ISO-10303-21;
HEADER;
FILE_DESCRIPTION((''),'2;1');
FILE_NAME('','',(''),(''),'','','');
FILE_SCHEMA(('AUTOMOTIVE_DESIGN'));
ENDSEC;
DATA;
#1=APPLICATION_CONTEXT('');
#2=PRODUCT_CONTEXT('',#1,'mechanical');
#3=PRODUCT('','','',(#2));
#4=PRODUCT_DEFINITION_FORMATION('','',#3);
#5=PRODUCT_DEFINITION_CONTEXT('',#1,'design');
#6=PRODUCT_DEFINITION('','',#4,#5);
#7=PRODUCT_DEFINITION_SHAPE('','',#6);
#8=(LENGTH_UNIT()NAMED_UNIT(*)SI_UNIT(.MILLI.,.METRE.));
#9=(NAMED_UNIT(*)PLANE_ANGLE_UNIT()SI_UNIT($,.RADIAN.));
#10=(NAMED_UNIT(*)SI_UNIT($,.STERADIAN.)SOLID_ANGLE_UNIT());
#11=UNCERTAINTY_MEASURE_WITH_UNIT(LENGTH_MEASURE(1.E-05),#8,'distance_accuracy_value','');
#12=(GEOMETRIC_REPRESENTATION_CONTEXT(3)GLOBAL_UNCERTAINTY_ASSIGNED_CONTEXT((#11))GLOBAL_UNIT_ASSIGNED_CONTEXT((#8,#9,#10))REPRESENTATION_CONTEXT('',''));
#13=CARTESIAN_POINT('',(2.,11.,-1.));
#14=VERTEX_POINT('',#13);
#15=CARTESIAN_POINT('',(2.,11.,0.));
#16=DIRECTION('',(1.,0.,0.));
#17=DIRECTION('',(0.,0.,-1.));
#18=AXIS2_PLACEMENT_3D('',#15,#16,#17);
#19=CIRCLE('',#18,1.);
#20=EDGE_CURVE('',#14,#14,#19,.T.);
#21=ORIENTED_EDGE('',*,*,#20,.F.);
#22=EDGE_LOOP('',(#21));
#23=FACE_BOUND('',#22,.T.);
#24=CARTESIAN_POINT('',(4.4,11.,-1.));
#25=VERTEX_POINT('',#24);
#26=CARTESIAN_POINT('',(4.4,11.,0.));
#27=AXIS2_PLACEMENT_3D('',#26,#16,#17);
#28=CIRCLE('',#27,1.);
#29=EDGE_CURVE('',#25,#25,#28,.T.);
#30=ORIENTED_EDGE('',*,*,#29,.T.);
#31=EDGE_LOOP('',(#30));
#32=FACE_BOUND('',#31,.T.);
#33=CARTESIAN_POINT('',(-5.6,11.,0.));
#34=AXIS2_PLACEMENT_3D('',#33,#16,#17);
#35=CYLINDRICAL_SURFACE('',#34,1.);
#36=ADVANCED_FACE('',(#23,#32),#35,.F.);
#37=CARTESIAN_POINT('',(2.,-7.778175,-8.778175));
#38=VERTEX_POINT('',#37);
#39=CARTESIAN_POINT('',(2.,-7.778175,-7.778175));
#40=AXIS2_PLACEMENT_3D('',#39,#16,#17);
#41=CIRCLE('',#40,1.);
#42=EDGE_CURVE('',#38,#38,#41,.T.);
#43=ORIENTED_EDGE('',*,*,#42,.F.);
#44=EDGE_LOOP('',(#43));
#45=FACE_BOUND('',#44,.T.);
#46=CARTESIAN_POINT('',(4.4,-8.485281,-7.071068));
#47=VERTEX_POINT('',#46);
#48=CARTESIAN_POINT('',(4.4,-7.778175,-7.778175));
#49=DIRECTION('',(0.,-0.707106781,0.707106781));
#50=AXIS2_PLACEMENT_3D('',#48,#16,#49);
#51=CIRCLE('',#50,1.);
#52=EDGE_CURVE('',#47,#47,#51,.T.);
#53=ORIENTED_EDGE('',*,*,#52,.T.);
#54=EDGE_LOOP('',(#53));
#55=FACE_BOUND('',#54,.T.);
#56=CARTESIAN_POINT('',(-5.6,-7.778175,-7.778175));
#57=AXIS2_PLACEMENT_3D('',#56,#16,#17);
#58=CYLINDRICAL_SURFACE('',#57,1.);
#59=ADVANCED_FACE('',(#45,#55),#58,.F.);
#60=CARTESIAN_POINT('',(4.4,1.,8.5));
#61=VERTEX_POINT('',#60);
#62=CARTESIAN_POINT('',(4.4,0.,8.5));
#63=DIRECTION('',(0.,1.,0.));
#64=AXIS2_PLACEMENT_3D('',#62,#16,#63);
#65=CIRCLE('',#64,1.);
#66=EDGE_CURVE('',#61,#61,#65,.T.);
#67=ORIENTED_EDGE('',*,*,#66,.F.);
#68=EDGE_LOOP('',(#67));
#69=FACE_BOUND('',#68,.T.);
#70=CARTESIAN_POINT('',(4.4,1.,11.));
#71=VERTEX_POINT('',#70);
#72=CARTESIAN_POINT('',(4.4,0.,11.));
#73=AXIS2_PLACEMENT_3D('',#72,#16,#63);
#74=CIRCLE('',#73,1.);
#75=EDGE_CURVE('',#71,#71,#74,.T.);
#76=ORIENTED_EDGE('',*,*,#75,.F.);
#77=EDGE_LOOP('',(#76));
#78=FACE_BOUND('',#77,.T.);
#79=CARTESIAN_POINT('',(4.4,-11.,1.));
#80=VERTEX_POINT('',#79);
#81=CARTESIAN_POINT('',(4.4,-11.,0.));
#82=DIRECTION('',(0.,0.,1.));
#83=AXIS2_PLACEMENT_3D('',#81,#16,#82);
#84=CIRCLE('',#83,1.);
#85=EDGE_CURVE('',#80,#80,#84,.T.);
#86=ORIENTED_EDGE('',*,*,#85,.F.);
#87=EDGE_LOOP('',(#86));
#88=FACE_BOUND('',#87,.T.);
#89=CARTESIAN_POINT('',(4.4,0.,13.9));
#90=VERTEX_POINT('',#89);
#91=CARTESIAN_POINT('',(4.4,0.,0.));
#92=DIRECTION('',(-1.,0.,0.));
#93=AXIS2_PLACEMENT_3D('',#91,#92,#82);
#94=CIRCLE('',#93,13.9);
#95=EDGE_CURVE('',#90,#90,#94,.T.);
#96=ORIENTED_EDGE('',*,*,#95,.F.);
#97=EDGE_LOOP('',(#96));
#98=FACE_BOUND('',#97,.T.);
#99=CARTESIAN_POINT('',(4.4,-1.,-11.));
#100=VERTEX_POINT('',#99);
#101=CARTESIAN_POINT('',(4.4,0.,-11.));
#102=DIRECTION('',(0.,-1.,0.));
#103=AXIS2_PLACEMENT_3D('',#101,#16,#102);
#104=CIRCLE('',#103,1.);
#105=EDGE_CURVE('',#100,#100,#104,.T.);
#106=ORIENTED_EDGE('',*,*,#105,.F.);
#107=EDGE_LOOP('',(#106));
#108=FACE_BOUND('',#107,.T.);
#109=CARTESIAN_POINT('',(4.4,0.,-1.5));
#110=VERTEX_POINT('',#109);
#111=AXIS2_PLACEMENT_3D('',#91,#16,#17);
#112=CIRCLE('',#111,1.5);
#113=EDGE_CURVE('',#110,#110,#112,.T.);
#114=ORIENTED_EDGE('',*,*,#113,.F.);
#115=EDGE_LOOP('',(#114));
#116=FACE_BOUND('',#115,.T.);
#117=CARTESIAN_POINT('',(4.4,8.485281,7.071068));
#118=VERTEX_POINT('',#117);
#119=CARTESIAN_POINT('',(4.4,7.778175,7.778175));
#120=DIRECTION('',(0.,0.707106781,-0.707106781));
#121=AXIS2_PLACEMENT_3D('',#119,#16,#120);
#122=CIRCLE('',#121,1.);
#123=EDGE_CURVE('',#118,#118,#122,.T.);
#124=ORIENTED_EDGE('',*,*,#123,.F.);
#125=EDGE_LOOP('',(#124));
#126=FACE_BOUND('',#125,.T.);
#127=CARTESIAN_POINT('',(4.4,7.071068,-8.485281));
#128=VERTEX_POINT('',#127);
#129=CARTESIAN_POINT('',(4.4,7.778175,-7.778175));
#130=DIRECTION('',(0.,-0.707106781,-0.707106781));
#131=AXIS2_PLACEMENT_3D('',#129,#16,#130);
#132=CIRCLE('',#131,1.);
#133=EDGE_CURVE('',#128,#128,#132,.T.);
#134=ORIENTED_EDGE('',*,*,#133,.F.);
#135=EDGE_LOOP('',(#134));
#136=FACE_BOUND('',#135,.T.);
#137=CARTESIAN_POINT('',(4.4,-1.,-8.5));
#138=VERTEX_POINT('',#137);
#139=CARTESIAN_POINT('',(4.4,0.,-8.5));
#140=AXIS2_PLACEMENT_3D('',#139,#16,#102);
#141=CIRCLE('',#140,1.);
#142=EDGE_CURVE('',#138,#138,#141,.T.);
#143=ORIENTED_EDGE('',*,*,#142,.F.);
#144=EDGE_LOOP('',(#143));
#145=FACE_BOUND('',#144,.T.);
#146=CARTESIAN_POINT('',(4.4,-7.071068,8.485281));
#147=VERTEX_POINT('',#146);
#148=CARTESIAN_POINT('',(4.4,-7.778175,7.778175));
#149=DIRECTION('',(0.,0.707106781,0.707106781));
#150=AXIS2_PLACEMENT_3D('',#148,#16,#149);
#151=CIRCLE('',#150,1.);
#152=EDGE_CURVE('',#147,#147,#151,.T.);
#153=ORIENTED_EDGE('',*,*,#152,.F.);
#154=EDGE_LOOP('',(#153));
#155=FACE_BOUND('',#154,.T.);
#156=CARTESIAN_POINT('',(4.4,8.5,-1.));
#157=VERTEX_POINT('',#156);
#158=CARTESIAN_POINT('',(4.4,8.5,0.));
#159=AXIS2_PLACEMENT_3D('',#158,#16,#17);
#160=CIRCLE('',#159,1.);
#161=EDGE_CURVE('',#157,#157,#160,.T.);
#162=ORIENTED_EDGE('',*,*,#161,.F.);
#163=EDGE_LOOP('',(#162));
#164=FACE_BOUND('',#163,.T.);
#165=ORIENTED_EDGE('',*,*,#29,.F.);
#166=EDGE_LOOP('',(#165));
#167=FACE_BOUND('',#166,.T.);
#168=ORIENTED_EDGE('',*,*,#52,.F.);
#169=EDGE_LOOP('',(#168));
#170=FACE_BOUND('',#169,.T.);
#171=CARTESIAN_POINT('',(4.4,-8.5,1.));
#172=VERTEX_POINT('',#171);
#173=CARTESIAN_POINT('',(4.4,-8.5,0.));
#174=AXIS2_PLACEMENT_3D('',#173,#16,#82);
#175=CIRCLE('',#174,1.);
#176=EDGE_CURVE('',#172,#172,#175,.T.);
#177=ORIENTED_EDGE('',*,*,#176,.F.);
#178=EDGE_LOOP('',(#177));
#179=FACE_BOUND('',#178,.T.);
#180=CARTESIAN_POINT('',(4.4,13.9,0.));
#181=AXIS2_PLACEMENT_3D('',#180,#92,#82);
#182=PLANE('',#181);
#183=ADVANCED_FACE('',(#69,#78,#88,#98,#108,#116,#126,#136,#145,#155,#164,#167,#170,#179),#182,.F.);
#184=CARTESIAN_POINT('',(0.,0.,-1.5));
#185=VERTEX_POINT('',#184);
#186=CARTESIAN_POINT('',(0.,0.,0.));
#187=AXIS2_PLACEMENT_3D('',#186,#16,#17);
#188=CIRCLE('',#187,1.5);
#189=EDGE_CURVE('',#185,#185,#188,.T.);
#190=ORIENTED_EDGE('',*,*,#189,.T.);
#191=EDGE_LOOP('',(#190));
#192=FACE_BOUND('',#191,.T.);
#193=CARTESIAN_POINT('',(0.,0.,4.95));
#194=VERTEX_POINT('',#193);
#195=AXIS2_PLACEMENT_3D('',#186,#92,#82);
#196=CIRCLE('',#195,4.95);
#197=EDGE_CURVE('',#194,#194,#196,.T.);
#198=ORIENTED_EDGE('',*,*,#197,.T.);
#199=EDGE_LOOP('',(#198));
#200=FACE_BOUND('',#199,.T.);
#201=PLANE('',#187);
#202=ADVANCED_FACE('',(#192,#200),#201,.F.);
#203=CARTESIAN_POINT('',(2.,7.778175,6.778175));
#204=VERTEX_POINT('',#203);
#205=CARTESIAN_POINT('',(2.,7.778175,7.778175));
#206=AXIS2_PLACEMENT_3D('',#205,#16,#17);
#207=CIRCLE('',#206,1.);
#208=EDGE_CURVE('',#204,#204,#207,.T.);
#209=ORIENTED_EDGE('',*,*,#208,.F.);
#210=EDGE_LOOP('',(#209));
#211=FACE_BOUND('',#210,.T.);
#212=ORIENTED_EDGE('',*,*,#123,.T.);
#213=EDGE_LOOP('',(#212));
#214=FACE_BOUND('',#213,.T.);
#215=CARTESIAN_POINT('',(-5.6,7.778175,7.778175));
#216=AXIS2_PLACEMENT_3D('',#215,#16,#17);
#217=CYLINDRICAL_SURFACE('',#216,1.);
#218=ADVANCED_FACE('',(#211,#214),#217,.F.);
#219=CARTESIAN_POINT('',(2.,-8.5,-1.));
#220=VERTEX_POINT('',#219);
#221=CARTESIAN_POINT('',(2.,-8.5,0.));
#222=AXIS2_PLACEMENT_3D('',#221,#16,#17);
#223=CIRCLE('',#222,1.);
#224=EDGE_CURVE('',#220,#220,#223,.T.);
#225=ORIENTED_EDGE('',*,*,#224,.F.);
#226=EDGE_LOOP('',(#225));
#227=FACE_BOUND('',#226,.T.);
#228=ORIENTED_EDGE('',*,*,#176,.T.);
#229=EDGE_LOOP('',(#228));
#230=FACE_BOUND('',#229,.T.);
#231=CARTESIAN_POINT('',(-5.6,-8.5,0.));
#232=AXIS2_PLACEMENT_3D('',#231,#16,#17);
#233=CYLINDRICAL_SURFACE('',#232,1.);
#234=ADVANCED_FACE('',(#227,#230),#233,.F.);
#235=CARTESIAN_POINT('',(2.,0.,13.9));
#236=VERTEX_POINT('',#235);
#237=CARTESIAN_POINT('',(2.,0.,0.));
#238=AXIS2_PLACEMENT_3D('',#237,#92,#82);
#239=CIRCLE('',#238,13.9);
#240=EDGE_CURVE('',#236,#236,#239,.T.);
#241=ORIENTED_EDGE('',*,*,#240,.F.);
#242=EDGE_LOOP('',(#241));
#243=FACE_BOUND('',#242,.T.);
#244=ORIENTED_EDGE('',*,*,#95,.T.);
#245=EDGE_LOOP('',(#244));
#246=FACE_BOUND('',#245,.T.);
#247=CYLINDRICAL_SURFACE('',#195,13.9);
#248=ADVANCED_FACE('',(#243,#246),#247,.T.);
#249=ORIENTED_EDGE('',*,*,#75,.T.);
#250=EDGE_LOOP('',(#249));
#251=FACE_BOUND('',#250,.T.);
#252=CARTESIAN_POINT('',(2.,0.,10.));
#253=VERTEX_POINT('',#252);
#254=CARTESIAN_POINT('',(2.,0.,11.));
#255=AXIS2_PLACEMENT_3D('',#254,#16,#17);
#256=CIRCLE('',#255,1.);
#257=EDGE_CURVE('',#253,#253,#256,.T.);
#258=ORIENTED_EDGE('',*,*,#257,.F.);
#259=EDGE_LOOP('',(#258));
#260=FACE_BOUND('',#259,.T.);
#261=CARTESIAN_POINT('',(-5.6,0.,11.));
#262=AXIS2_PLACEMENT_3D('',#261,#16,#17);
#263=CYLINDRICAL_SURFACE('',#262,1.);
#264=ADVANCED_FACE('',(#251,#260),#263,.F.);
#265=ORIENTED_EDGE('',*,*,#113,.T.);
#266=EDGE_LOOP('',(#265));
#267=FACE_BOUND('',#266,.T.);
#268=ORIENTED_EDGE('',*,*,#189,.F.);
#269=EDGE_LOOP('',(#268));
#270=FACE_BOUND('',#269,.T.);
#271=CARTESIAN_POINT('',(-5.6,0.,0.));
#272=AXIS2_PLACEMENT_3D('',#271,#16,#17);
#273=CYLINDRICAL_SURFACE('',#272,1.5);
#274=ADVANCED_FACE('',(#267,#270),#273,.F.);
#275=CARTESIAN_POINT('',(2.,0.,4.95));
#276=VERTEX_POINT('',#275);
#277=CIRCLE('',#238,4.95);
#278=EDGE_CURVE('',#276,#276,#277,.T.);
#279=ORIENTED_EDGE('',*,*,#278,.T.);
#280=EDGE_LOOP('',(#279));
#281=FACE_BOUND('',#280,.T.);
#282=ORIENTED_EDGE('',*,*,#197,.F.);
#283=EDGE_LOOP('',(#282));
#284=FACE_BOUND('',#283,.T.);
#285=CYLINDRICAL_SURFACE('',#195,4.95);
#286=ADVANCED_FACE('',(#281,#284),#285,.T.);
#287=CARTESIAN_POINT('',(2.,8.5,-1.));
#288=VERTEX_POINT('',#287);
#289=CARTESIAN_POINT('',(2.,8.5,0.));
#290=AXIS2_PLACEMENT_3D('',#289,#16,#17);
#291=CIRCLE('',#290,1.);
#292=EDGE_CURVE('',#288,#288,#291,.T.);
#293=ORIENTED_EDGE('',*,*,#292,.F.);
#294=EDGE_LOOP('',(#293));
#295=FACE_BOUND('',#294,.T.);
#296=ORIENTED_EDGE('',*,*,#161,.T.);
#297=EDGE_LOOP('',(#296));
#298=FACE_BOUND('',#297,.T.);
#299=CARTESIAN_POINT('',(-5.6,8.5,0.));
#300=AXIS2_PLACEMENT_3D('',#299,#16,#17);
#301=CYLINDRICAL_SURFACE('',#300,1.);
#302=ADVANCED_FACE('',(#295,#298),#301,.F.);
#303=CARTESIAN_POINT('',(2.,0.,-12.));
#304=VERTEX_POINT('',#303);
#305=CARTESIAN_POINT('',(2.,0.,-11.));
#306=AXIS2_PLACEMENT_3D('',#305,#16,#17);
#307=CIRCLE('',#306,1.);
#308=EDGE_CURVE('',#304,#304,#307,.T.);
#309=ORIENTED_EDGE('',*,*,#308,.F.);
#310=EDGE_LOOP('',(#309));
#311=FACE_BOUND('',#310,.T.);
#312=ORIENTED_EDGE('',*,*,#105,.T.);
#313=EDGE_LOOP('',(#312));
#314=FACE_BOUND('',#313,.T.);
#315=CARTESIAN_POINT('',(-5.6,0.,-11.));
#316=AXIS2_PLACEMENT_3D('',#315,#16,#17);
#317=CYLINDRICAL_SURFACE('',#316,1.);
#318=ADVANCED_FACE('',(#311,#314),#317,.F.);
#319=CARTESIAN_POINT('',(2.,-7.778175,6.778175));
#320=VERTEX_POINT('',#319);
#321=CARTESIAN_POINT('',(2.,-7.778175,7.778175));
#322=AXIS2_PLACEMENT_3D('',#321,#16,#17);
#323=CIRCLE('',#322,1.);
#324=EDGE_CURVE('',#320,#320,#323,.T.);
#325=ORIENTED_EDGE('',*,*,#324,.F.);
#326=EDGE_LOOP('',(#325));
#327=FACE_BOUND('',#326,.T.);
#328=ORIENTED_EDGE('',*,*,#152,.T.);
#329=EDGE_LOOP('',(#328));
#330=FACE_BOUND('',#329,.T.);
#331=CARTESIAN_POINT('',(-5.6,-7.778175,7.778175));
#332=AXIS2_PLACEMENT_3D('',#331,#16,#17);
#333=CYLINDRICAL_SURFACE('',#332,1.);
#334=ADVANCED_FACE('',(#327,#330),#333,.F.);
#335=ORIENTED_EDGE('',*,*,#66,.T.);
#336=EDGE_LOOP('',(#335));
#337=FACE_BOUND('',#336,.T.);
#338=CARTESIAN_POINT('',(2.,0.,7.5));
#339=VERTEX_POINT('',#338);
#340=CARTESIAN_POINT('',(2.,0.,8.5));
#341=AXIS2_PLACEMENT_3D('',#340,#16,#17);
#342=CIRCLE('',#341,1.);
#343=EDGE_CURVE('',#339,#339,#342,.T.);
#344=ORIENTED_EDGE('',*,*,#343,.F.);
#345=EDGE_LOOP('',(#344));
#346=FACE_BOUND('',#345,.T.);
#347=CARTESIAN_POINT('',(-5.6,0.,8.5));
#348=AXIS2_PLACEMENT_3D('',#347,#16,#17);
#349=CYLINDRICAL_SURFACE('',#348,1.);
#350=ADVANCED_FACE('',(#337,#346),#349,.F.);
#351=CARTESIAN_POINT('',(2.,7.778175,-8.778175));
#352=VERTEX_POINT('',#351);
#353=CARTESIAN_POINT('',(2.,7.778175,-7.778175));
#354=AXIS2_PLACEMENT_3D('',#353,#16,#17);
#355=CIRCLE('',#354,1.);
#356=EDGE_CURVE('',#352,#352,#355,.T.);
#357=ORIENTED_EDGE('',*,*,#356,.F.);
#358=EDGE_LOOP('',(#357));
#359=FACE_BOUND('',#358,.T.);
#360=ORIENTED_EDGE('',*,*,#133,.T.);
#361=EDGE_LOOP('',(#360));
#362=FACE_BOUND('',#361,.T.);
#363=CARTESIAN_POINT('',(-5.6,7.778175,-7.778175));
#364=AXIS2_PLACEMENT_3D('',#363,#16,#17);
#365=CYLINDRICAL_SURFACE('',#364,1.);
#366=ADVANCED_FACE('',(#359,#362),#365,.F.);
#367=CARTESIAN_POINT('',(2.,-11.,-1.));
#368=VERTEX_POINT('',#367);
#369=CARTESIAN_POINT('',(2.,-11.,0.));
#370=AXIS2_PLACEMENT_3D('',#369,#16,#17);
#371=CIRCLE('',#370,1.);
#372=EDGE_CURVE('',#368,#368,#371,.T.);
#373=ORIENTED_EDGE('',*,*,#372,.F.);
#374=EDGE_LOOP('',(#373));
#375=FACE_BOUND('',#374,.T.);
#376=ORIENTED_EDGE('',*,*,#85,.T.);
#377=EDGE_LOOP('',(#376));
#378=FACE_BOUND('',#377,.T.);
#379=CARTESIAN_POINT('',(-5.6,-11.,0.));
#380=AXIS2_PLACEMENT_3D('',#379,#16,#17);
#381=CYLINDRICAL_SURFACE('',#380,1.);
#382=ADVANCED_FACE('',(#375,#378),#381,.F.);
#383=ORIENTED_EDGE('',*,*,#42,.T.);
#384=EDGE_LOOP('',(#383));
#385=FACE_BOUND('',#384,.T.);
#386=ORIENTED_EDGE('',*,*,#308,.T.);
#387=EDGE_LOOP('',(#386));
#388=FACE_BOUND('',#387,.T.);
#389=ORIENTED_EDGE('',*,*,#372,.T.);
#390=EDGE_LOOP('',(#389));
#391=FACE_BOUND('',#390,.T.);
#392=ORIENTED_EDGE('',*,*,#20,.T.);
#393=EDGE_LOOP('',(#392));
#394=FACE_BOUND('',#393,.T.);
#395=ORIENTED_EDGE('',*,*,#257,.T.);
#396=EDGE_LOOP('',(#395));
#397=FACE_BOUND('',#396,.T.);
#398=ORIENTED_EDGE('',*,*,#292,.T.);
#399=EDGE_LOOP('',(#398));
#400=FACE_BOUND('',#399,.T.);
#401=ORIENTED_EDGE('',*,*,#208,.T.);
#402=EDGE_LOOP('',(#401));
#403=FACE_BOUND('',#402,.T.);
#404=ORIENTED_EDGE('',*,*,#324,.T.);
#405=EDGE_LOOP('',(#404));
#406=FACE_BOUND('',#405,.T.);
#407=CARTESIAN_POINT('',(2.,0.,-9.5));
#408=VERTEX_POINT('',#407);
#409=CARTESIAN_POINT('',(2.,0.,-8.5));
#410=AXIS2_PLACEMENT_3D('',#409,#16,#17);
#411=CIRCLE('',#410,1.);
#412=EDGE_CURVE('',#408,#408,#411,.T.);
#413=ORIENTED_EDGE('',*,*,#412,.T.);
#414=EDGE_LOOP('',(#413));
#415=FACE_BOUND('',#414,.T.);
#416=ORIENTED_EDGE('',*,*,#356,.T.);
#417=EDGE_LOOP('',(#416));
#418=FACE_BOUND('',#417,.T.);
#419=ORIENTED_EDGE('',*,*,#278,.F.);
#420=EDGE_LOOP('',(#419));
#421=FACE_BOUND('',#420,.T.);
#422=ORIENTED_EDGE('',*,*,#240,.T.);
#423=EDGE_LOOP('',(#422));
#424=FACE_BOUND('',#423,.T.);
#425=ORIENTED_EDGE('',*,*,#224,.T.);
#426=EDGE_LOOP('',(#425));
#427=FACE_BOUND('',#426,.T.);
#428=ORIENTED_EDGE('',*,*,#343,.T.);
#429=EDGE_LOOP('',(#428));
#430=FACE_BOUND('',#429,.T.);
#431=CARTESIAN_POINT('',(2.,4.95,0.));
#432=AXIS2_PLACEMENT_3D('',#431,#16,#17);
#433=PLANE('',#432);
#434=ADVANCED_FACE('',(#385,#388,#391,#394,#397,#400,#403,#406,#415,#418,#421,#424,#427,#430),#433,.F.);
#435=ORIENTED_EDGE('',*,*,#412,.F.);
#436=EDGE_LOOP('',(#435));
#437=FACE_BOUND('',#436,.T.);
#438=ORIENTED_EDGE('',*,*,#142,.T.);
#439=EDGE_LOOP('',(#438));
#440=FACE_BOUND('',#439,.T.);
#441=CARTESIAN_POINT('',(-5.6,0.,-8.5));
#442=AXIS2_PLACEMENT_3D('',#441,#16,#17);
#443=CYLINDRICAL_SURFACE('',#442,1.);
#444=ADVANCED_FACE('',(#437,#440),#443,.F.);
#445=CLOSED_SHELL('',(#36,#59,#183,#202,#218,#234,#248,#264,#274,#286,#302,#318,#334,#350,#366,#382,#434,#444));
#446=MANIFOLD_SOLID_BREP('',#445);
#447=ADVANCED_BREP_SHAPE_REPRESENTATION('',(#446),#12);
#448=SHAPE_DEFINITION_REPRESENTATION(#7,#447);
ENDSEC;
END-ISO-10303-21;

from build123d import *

# Parameters (mm, degrees)
SKETCH2_R          = 1
CUT_EXTRUDE1_DEPTH = 10
SKETCH3_R          = 1
CUT_EXTRUDE2_DEPTH = 10
CIRPATTERN1_COUNT  = 8
CIRPATTERN2_COUNT  = 4
SKETCH5_R          = 1.5
CUT_EXTRUDE3_DEPTH = 10


with BuildPart() as part:
    # Sketch1 → Revolve1 (revolve)
    with BuildSketch(Plane.XY, mode=Mode.PRIVATE) as revolve1_sk:
        Polygon((0, 0), (0, 4.95), (2, 4.95), (2, 13.9), (4.4, 13.9), (4.4, 0), align=None)
    revolve(revolve1_sk.sketch.rotate(Axis((0, 0, 0), (1, 0, 0)), 90), axis=Axis((0, 0, 0), (1, 0, 0)))

    # Sketch2 → Cut-Extrude1 (cut)
    with BuildSketch(Plane(origin=(4.4, 0, 0), x_dir=(0, 0, -1), z_dir=(1, 0, 0))):
        with Locations((0, 11)):
            Circle(SKETCH2_R)
    cut_extrude1 = extrude(amount=-CUT_EXTRUDE1_DEPTH, mode=Mode.SUBTRACT)

    # Sketch3 → Cut-Extrude2 (cut)
    with BuildSketch(Plane(origin=(4.4, 0, 0), x_dir=(0, 0, -1), z_dir=(1, 0, 0))):
        with Locations((0, 8.5)):
            Circle(SKETCH3_R)
    cut_extrude2 = extrude(amount=-CUT_EXTRUDE2_DEPTH, mode=Mode.SUBTRACT)

    # CirPattern1: Cut-Extrude1 ×8 about axis
    cirpattern1_axis = Axis((0, 0, 0), (1, 0, 0))
    for i in range(1, CIRPATTERN1_COUNT):
        add(cut_extrude1.rotate(cirpattern1_axis, i * 360 / CIRPATTERN1_COUNT), mode=Mode.SUBTRACT)

    # CirPattern2: Cut-Extrude2 ×4 about axis
    cirpattern2_axis = Axis((0, 0, 0), (1, 0, 0))
    for i in range(1, CIRPATTERN2_COUNT):
        add(cut_extrude2.rotate(cirpattern2_axis, i * 360 / CIRPATTERN2_COUNT), mode=Mode.SUBTRACT)

    # Sketch5 → Cut-Extrude3 (cut)
    with BuildSketch(Plane(origin=(4.4, 0, 0), x_dir=(0, 0, -1), z_dir=(1, 0, 0))):
        Circle(SKETCH5_R)
    extrude(amount=-CUT_EXTRUDE3_DEPTH, mode=Mode.SUBTRACT)


solid = part.part
